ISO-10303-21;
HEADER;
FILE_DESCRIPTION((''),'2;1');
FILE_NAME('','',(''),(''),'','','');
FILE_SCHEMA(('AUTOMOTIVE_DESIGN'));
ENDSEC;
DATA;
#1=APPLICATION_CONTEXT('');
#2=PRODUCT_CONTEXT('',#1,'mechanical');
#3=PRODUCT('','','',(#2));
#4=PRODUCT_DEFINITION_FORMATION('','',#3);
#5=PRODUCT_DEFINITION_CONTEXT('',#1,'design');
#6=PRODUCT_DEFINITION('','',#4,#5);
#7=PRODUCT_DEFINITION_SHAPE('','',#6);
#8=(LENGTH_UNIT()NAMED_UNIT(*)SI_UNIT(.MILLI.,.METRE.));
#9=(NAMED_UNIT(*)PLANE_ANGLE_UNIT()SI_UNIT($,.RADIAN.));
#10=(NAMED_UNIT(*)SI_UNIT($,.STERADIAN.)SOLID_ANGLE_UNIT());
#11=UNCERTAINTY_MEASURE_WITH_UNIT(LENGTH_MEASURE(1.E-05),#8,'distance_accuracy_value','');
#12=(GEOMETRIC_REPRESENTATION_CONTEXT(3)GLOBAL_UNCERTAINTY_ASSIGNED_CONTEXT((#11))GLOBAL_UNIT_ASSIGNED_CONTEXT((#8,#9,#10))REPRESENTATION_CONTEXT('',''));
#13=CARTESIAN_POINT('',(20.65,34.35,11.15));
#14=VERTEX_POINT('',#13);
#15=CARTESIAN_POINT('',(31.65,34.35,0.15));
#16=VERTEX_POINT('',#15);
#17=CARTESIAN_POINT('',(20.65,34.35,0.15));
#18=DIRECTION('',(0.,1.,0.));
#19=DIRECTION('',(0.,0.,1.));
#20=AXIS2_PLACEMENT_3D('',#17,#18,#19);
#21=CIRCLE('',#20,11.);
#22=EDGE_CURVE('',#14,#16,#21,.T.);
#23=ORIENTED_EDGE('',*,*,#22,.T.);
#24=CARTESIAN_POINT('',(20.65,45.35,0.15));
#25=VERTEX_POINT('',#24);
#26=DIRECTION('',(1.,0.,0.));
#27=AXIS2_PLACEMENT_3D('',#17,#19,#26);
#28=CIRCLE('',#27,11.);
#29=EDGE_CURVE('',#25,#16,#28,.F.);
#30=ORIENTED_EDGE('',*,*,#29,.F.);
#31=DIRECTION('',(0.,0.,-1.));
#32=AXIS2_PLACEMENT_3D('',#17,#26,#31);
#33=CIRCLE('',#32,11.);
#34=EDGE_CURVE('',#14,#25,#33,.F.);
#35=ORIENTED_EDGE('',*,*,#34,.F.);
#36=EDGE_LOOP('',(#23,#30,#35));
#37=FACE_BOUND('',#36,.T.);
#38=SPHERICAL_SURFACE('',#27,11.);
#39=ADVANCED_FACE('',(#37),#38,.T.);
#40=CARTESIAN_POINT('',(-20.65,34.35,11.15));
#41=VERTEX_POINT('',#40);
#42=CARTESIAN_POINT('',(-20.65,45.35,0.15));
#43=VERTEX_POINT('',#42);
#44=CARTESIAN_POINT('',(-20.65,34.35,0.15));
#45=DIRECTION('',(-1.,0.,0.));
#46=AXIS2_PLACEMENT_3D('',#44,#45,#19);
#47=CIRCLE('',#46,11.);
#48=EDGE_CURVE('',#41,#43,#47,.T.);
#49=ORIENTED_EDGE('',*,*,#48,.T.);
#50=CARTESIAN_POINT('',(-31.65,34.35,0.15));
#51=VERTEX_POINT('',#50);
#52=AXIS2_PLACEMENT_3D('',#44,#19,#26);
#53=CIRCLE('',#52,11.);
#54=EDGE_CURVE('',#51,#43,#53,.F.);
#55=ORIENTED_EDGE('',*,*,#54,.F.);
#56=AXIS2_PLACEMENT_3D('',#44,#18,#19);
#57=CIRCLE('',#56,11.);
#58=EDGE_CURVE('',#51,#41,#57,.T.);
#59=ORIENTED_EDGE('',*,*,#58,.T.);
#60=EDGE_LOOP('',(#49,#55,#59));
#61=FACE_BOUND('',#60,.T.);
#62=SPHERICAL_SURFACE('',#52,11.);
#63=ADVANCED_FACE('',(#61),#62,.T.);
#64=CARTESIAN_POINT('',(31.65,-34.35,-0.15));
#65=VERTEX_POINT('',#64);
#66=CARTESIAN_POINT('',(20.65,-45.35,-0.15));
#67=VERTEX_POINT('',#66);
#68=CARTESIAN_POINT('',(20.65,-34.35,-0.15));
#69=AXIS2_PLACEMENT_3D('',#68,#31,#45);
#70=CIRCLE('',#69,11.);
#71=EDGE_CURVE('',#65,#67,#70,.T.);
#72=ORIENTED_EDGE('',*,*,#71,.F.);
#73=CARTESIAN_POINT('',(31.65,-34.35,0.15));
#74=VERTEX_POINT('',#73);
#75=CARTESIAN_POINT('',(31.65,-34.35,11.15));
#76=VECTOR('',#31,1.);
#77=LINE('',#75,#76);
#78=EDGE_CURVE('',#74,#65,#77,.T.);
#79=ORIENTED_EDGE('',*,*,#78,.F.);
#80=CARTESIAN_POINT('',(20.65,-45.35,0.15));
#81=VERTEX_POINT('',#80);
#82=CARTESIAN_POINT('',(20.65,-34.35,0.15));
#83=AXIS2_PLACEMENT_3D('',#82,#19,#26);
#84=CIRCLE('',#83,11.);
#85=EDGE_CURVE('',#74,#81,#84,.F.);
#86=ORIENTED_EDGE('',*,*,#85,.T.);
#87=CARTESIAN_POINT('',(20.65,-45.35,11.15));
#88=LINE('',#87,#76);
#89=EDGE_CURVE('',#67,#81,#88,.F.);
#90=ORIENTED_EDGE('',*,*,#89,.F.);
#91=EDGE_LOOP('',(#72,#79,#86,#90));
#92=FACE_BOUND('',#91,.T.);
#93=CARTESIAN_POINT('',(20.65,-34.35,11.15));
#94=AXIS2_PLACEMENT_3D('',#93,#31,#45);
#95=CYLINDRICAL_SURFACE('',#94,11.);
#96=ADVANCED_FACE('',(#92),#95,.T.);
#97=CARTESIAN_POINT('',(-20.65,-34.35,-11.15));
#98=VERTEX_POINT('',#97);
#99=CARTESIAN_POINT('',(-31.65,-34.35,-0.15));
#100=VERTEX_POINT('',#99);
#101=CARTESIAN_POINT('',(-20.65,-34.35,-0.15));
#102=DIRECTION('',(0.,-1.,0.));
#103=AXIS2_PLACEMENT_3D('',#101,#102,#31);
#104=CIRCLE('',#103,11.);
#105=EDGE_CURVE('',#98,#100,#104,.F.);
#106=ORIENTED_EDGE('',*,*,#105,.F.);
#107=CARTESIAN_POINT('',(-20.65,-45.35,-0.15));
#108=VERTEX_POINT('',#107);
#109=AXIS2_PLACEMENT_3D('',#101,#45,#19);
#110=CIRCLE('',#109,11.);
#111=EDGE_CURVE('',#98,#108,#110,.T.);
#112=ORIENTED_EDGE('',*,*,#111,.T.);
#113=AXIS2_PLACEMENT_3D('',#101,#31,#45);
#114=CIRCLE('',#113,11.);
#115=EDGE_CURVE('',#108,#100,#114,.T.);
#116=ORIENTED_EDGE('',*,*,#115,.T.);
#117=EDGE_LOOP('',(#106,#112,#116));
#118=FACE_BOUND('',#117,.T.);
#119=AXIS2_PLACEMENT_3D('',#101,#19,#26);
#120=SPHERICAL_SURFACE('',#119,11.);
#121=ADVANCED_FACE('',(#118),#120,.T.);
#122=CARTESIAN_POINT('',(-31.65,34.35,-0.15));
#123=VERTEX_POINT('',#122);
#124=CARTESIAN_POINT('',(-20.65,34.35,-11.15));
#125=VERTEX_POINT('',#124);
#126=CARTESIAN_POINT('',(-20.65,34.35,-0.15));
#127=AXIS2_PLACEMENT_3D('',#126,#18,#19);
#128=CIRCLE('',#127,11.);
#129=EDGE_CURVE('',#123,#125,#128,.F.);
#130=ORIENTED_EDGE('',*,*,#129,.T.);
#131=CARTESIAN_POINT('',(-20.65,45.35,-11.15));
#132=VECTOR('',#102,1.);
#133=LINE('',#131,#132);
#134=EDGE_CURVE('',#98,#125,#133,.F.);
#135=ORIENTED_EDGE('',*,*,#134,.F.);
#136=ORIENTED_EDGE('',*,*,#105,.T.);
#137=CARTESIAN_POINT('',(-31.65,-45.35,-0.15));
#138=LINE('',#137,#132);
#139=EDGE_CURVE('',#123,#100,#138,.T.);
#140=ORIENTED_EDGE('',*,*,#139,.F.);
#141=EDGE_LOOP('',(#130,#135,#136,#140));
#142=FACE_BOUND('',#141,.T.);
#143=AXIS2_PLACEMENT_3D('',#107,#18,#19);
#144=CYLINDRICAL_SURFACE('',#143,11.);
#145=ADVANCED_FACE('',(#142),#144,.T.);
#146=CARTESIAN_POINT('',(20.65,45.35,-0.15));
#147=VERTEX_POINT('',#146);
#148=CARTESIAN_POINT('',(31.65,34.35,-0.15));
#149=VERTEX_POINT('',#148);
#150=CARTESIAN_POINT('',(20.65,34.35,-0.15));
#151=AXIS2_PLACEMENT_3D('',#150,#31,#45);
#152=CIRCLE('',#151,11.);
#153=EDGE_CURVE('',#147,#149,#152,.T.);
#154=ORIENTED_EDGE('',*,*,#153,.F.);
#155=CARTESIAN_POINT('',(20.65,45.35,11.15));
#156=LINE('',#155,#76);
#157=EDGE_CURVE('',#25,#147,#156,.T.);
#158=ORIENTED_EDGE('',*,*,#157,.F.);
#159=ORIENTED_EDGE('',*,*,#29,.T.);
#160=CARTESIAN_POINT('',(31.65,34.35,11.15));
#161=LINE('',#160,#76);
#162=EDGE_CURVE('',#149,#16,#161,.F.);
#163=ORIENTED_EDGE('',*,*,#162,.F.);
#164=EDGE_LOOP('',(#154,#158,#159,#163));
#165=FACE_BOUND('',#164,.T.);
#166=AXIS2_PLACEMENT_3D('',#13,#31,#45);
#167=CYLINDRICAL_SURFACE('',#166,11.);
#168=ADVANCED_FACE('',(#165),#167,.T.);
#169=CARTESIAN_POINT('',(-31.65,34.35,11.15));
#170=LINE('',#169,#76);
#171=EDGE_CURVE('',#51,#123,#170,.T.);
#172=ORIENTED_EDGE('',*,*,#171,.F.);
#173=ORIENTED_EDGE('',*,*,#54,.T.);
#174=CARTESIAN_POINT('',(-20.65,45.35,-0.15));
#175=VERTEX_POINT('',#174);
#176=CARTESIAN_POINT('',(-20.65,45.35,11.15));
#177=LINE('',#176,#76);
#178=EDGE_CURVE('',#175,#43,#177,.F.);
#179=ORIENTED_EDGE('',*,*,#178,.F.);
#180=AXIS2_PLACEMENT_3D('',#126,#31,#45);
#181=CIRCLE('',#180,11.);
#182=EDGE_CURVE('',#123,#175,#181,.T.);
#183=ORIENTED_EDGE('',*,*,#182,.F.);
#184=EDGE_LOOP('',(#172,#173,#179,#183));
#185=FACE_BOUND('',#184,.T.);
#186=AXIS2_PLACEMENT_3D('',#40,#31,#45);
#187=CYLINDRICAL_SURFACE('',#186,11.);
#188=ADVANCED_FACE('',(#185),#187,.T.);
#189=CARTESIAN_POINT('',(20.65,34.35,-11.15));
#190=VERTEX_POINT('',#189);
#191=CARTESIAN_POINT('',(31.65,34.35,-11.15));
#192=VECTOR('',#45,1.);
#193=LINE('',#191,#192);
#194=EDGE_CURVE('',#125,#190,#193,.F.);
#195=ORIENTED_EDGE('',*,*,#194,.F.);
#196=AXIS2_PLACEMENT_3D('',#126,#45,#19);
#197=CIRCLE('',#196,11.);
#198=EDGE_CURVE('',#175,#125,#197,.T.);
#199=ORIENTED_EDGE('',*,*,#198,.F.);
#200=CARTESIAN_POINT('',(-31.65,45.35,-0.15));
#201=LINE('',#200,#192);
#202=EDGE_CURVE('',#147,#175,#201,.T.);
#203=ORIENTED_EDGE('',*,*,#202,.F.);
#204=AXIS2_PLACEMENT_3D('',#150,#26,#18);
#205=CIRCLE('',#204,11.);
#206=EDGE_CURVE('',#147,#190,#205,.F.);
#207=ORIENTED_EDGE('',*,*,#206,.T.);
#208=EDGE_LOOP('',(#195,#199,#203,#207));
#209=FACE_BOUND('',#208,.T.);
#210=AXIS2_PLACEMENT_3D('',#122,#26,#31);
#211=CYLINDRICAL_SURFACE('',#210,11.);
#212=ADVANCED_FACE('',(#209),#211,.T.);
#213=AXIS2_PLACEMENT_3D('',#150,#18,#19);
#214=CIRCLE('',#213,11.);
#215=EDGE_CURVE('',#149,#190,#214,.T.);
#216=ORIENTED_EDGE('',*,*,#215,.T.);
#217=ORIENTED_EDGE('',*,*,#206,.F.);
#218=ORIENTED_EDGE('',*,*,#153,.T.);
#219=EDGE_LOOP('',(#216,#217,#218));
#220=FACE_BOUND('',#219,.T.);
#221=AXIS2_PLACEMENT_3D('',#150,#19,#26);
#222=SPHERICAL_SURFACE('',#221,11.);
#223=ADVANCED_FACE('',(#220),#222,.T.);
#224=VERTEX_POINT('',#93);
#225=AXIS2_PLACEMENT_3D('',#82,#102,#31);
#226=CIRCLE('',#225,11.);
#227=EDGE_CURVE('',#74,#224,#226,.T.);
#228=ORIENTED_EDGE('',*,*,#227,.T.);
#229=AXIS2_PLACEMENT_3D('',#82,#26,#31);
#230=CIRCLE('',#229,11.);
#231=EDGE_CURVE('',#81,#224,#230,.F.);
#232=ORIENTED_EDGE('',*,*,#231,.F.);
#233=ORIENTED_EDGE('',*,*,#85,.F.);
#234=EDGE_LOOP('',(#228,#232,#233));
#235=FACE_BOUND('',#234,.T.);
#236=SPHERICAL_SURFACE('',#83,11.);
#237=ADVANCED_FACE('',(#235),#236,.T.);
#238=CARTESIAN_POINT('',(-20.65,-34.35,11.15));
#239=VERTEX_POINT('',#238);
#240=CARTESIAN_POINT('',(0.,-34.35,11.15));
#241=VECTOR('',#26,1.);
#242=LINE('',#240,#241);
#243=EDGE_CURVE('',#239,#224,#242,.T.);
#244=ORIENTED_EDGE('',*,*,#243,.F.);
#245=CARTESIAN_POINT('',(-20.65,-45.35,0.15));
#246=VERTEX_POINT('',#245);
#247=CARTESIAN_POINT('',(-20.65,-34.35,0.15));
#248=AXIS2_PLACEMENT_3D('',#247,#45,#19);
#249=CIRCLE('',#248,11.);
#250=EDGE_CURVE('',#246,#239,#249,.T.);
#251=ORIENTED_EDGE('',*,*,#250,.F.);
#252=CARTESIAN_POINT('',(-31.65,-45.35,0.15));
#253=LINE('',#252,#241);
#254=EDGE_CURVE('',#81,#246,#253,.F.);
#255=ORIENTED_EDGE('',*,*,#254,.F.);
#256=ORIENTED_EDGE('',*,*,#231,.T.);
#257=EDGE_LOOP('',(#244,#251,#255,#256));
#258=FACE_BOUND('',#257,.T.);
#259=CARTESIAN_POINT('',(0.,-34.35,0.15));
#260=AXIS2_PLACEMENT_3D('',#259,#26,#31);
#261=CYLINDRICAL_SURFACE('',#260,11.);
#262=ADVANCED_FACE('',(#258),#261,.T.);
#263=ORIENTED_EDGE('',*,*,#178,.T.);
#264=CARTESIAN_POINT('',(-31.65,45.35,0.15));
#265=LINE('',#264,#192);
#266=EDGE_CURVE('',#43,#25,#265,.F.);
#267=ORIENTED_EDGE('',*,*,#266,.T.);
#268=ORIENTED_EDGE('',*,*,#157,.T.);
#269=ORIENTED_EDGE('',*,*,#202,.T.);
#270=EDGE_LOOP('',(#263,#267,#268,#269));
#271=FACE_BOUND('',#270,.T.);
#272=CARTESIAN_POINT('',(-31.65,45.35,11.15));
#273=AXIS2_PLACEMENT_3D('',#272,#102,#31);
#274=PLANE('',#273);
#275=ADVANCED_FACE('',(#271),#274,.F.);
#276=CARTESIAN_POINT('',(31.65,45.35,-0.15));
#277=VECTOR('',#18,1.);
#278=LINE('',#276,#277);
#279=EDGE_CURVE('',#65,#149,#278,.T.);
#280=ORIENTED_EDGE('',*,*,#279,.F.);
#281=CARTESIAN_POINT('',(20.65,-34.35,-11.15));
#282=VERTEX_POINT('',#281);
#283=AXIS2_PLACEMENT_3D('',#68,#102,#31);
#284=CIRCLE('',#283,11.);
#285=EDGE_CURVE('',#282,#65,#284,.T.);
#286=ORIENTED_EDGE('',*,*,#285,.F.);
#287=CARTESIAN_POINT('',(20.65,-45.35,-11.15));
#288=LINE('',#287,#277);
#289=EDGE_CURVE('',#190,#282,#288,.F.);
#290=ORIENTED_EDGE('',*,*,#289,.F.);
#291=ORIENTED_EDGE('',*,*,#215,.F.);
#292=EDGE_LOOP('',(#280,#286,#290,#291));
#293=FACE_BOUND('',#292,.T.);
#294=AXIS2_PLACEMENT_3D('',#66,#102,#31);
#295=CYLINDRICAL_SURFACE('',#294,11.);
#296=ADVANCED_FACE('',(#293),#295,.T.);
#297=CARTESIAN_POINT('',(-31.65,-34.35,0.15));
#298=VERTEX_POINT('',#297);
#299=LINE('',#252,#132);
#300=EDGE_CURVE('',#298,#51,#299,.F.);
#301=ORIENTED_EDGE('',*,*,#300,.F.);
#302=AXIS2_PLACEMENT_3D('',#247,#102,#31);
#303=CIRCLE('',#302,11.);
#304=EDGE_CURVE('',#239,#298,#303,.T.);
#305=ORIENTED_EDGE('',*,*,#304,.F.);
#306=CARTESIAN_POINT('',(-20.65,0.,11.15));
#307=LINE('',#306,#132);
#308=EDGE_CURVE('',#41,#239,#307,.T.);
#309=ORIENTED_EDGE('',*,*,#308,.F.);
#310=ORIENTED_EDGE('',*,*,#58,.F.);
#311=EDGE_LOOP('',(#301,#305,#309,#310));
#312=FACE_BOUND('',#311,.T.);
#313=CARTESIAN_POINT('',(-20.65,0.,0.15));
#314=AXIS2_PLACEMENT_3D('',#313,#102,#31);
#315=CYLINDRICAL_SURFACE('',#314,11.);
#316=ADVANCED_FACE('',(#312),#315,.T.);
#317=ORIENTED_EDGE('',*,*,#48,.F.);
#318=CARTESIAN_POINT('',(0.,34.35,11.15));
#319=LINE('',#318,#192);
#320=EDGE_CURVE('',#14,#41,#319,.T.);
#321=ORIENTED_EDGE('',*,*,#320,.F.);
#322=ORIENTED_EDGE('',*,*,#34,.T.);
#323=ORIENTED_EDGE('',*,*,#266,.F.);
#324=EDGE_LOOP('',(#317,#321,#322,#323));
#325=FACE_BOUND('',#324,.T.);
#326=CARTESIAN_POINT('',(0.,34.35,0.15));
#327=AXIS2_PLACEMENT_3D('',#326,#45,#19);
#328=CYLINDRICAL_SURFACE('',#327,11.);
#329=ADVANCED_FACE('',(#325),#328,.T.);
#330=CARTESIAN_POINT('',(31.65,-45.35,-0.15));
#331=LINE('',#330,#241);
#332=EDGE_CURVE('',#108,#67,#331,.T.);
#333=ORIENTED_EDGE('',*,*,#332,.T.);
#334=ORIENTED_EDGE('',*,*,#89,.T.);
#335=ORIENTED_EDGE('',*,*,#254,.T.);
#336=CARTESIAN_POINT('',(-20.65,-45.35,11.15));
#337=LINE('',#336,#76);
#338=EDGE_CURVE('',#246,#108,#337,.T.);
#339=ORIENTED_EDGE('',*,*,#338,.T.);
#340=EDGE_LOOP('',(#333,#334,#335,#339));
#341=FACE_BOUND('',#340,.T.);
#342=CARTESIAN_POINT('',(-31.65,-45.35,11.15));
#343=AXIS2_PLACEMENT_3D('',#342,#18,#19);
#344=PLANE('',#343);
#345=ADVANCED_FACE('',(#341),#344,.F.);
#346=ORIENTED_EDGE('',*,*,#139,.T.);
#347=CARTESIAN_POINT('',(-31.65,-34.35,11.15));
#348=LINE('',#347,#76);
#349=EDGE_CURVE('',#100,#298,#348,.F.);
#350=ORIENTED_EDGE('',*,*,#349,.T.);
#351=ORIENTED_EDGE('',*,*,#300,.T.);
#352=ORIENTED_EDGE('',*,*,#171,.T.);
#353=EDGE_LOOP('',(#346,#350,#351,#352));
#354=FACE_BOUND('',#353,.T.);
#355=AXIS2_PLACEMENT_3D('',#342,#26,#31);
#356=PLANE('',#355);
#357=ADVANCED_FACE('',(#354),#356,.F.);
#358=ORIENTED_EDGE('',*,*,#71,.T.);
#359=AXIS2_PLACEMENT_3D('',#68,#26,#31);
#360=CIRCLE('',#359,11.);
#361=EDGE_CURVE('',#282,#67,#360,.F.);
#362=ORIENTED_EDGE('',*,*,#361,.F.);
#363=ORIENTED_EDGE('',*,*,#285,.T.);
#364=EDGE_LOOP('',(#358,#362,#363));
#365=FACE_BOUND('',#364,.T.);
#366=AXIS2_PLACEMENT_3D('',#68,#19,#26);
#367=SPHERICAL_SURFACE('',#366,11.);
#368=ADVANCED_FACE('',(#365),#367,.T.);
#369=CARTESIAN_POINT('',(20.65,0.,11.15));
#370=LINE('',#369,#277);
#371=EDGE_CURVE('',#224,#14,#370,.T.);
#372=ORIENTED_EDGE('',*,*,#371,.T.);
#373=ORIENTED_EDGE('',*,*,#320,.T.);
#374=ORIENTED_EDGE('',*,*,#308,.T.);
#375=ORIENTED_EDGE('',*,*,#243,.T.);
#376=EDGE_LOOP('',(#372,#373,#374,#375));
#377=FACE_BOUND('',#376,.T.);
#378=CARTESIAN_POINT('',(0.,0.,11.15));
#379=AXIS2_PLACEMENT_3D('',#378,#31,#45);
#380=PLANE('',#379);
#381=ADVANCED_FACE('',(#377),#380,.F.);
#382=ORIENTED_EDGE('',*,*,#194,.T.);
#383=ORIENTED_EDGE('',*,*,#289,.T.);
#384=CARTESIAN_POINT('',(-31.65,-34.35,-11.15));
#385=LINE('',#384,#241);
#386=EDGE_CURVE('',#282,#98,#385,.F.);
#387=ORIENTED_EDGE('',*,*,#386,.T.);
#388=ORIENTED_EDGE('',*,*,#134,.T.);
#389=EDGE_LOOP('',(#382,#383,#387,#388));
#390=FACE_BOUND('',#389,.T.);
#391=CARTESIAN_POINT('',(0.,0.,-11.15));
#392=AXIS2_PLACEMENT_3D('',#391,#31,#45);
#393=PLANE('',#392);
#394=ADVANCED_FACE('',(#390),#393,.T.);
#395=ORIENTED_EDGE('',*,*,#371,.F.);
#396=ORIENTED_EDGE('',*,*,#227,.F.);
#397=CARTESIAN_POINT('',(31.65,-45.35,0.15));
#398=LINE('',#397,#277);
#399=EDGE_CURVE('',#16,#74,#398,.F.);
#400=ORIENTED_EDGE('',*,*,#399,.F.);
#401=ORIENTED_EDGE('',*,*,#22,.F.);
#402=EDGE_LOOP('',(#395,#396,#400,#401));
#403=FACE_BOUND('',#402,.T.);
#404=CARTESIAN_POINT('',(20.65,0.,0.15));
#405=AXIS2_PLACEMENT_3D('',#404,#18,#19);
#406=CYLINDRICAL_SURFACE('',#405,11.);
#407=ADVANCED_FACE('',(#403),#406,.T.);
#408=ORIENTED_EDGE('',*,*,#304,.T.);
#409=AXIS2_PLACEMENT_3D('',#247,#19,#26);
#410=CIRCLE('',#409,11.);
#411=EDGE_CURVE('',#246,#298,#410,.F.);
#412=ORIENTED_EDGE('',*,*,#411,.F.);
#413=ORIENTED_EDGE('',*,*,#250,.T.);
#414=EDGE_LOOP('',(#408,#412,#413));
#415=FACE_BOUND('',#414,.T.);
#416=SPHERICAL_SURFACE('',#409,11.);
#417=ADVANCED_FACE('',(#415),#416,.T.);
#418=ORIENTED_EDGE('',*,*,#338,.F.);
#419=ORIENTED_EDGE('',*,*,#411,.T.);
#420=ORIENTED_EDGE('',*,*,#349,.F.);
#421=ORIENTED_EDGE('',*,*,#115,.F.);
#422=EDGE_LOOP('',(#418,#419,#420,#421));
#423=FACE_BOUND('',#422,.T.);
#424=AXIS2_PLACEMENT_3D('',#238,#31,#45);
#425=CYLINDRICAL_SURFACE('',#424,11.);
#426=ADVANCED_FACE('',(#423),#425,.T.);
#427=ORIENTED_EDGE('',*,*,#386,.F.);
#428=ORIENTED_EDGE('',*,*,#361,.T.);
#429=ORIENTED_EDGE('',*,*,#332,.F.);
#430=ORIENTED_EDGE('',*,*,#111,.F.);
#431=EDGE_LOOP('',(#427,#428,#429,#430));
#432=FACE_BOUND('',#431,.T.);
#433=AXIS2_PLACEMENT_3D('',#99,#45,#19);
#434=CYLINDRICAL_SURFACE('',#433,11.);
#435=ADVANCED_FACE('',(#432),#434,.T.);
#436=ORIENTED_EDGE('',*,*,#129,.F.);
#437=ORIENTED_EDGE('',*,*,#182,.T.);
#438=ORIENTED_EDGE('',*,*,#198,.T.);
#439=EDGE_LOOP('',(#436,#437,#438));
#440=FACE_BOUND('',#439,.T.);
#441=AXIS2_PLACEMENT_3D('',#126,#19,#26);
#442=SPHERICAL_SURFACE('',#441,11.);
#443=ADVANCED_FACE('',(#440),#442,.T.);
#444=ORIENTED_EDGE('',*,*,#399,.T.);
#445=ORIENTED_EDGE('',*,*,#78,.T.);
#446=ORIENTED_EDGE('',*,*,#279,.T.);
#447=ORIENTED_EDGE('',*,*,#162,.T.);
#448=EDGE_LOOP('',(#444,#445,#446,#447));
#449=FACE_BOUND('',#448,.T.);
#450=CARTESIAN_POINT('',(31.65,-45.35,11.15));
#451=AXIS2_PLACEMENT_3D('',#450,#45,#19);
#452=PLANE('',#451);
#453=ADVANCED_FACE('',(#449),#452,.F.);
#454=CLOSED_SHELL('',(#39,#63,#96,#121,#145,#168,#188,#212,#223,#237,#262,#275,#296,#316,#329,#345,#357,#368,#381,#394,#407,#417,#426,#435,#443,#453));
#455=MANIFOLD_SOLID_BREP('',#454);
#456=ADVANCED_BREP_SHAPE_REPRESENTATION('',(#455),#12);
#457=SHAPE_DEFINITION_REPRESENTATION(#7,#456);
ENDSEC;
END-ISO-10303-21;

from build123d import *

# Parameters (mm, degrees)
SKETCH1_W           = 63.3
SKETCH1_H           = 90.7
BOSS_EXTRUDE1_DEPTH = 11.15
FILLET1_R           = 11


with BuildPart() as part:
    # Sketch1 → Boss-Extrude1 (new, symmetric)
    with BuildSketch(Plane.XY):
        Rectangle(SKETCH1_W, SKETCH1_H)
    extrude(amount=BOSS_EXTRUDE1_DEPTH, both=True)

    # Fillet1
    fillet1_edges = [part.edges().sort_by_distance(p)[0] for p in [
        (-31.65, 0, 11.15),
        (0, -45.35, 11.15),
        (31.65, 0, 11.15),
        (0, -45.35, -11.15),
        (-31.65, 0, -11.15),
        (0, 45.35, -11.15),
        (31.65, 0, -11.15),
        (31.65, -45.35, 0),
        (-31.65, -45.35, 0),
        (-31.65, 45.35, 0),
        (31.65, 45.35, 0),
        (0, 45.35, 11.15),
    ]]
    fillet(fillet1_edges, radius=FILLET1_R)


solid = part.part
